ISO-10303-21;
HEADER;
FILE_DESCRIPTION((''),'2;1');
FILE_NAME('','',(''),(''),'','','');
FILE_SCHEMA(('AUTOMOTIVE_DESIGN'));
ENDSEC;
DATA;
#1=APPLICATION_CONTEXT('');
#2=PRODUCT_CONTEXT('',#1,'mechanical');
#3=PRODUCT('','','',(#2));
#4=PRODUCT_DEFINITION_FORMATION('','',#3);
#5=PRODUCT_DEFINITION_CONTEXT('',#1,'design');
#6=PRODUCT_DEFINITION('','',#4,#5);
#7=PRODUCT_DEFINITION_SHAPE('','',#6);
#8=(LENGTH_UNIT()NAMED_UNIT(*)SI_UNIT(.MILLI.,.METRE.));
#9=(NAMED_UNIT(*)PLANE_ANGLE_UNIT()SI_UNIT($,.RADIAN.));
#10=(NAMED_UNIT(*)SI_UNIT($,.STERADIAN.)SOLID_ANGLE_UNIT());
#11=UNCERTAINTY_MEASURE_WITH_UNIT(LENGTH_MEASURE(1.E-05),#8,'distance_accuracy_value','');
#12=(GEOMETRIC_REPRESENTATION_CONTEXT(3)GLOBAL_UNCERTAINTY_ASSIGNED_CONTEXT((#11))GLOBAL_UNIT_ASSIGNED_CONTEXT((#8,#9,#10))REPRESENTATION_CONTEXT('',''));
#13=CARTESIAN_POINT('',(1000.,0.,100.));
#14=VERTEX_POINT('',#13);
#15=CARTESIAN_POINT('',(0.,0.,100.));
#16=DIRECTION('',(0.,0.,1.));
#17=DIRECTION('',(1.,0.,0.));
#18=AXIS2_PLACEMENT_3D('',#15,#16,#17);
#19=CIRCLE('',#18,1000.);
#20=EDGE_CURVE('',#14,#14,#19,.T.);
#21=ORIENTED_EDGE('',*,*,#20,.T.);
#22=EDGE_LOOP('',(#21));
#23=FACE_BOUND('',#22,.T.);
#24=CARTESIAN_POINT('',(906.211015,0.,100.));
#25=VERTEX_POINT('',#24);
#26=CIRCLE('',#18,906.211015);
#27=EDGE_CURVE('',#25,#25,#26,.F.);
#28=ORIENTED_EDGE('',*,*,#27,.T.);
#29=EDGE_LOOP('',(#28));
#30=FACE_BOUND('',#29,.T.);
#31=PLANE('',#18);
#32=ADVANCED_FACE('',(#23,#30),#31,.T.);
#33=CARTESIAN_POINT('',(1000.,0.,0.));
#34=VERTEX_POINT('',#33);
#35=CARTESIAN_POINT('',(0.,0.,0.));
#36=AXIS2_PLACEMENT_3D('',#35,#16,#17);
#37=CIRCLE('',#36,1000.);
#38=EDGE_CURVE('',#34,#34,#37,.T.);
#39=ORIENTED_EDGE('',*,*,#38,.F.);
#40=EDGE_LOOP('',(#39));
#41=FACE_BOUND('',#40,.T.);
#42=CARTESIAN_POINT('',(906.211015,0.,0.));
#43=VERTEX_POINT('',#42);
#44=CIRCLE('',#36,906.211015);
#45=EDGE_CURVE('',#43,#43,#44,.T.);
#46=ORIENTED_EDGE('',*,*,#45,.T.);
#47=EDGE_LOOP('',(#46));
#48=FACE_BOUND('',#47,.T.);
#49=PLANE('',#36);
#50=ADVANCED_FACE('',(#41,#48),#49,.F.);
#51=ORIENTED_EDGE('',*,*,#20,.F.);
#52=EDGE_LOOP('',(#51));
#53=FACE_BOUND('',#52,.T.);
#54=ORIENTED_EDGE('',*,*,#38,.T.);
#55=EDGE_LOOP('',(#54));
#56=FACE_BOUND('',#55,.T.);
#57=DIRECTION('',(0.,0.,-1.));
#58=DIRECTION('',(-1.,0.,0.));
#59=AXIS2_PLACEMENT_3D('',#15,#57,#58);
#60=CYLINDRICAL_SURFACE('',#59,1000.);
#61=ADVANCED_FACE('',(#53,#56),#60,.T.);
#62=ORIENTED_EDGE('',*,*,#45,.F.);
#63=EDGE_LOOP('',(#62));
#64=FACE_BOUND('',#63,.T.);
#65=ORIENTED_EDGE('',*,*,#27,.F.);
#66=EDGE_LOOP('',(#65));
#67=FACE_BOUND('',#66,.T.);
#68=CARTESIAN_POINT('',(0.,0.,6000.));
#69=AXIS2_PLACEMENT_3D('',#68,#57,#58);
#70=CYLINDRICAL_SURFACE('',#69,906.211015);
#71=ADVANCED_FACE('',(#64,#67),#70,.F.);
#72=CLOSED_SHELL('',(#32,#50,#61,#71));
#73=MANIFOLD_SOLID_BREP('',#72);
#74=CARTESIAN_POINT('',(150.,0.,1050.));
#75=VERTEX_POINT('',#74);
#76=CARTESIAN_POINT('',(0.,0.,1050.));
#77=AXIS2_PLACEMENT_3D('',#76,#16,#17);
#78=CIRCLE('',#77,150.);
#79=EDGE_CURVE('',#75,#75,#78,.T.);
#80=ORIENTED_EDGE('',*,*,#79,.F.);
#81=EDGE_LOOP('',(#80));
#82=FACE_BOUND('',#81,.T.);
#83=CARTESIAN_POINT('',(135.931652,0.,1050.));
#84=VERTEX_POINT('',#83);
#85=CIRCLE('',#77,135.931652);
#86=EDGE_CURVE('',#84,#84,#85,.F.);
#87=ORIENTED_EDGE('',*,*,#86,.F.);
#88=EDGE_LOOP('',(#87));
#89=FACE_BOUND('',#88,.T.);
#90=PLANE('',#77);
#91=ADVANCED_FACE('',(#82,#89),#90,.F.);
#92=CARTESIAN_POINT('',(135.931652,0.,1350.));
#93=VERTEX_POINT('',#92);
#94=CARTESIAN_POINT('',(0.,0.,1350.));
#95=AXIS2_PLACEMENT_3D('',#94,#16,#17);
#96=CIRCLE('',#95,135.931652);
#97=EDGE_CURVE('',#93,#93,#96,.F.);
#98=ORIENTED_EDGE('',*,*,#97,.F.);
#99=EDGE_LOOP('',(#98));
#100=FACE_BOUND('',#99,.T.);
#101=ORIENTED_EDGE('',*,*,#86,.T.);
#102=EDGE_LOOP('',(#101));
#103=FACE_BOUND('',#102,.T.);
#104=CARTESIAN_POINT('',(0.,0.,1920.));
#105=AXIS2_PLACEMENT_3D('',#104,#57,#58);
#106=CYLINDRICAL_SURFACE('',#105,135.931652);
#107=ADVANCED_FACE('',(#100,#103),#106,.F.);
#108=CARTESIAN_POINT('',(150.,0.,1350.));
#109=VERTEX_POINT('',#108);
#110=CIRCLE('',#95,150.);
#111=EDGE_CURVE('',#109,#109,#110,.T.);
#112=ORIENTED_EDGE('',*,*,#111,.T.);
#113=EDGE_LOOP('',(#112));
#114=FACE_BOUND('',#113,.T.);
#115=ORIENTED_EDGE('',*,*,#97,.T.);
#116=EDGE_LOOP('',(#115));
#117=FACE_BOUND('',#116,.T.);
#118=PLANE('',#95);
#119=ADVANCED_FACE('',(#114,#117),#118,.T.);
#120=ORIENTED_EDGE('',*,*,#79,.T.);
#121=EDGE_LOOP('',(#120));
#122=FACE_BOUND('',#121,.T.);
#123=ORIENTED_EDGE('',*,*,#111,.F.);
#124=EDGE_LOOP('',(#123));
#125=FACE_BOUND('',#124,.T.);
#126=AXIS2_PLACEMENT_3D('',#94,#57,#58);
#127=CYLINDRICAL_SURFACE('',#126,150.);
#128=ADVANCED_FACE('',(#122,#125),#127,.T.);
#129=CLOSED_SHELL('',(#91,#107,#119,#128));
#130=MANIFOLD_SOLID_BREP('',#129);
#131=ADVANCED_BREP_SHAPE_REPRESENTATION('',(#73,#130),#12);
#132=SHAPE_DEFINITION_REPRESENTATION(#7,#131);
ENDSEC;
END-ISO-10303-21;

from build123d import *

# Parameters (mm, degrees)
SKETCH3_R           = 1000
BOSS_EXTRUDE2_DEPTH = 2000
SKETCH8_R           = 1000
BOSS_EXTRUDE7_DEPTH = 100
SKETCH9_R           = 906.211014964
CUT_EXTRUDE3_DEPTH  = 6000
SCALE5_SCALE        = 0.15


with BuildPart() as part:
    # Sketch3 → Boss-Extrude2 (new body)
    with BuildSketch(Plane.XY.offset(200)):
        Circle(SKETCH3_R)
    extrude(amount=BOSS_EXTRUDE2_DEPTH)


with BuildPart() as body_2:
    # Sketch8 → Boss-Extrude7 (new body)
    with BuildSketch(Plane.XY):
        Circle(SKETCH8_R)
    extrude(amount=BOSS_EXTRUDE7_DEPTH)


with BuildPart() as cut_extrude3_tool:
    # Sketch9 → Cut-Extrude3 (new body)
    with BuildSketch(Plane.XY):
        Circle(SKETCH9_R)
    extrude(amount=CUT_EXTRUDE3_DEPTH)


with BuildPart() as part_1:
    add(part.part)

    # Cut-Extrude3: cut by cut_extrude3_tool
    add(cut_extrude3_tool.part, mode=Mode.SUBTRACT)


with BuildPart() as body_2_1:
    add(body_2.part)

    # Cut-Extrude3: cut by cut_extrude3_tool
    add(cut_extrude3_tool.part, mode=Mode.SUBTRACT)


with BuildPart() as part_2:
    # Scale5: scaled about (0, 0, 1200)
    add(part_1.part.scale(SCALE5_SCALE).moved(Location((0, 0, 1020))))


solid = Compound([body_2_1.part, part_2.part])
